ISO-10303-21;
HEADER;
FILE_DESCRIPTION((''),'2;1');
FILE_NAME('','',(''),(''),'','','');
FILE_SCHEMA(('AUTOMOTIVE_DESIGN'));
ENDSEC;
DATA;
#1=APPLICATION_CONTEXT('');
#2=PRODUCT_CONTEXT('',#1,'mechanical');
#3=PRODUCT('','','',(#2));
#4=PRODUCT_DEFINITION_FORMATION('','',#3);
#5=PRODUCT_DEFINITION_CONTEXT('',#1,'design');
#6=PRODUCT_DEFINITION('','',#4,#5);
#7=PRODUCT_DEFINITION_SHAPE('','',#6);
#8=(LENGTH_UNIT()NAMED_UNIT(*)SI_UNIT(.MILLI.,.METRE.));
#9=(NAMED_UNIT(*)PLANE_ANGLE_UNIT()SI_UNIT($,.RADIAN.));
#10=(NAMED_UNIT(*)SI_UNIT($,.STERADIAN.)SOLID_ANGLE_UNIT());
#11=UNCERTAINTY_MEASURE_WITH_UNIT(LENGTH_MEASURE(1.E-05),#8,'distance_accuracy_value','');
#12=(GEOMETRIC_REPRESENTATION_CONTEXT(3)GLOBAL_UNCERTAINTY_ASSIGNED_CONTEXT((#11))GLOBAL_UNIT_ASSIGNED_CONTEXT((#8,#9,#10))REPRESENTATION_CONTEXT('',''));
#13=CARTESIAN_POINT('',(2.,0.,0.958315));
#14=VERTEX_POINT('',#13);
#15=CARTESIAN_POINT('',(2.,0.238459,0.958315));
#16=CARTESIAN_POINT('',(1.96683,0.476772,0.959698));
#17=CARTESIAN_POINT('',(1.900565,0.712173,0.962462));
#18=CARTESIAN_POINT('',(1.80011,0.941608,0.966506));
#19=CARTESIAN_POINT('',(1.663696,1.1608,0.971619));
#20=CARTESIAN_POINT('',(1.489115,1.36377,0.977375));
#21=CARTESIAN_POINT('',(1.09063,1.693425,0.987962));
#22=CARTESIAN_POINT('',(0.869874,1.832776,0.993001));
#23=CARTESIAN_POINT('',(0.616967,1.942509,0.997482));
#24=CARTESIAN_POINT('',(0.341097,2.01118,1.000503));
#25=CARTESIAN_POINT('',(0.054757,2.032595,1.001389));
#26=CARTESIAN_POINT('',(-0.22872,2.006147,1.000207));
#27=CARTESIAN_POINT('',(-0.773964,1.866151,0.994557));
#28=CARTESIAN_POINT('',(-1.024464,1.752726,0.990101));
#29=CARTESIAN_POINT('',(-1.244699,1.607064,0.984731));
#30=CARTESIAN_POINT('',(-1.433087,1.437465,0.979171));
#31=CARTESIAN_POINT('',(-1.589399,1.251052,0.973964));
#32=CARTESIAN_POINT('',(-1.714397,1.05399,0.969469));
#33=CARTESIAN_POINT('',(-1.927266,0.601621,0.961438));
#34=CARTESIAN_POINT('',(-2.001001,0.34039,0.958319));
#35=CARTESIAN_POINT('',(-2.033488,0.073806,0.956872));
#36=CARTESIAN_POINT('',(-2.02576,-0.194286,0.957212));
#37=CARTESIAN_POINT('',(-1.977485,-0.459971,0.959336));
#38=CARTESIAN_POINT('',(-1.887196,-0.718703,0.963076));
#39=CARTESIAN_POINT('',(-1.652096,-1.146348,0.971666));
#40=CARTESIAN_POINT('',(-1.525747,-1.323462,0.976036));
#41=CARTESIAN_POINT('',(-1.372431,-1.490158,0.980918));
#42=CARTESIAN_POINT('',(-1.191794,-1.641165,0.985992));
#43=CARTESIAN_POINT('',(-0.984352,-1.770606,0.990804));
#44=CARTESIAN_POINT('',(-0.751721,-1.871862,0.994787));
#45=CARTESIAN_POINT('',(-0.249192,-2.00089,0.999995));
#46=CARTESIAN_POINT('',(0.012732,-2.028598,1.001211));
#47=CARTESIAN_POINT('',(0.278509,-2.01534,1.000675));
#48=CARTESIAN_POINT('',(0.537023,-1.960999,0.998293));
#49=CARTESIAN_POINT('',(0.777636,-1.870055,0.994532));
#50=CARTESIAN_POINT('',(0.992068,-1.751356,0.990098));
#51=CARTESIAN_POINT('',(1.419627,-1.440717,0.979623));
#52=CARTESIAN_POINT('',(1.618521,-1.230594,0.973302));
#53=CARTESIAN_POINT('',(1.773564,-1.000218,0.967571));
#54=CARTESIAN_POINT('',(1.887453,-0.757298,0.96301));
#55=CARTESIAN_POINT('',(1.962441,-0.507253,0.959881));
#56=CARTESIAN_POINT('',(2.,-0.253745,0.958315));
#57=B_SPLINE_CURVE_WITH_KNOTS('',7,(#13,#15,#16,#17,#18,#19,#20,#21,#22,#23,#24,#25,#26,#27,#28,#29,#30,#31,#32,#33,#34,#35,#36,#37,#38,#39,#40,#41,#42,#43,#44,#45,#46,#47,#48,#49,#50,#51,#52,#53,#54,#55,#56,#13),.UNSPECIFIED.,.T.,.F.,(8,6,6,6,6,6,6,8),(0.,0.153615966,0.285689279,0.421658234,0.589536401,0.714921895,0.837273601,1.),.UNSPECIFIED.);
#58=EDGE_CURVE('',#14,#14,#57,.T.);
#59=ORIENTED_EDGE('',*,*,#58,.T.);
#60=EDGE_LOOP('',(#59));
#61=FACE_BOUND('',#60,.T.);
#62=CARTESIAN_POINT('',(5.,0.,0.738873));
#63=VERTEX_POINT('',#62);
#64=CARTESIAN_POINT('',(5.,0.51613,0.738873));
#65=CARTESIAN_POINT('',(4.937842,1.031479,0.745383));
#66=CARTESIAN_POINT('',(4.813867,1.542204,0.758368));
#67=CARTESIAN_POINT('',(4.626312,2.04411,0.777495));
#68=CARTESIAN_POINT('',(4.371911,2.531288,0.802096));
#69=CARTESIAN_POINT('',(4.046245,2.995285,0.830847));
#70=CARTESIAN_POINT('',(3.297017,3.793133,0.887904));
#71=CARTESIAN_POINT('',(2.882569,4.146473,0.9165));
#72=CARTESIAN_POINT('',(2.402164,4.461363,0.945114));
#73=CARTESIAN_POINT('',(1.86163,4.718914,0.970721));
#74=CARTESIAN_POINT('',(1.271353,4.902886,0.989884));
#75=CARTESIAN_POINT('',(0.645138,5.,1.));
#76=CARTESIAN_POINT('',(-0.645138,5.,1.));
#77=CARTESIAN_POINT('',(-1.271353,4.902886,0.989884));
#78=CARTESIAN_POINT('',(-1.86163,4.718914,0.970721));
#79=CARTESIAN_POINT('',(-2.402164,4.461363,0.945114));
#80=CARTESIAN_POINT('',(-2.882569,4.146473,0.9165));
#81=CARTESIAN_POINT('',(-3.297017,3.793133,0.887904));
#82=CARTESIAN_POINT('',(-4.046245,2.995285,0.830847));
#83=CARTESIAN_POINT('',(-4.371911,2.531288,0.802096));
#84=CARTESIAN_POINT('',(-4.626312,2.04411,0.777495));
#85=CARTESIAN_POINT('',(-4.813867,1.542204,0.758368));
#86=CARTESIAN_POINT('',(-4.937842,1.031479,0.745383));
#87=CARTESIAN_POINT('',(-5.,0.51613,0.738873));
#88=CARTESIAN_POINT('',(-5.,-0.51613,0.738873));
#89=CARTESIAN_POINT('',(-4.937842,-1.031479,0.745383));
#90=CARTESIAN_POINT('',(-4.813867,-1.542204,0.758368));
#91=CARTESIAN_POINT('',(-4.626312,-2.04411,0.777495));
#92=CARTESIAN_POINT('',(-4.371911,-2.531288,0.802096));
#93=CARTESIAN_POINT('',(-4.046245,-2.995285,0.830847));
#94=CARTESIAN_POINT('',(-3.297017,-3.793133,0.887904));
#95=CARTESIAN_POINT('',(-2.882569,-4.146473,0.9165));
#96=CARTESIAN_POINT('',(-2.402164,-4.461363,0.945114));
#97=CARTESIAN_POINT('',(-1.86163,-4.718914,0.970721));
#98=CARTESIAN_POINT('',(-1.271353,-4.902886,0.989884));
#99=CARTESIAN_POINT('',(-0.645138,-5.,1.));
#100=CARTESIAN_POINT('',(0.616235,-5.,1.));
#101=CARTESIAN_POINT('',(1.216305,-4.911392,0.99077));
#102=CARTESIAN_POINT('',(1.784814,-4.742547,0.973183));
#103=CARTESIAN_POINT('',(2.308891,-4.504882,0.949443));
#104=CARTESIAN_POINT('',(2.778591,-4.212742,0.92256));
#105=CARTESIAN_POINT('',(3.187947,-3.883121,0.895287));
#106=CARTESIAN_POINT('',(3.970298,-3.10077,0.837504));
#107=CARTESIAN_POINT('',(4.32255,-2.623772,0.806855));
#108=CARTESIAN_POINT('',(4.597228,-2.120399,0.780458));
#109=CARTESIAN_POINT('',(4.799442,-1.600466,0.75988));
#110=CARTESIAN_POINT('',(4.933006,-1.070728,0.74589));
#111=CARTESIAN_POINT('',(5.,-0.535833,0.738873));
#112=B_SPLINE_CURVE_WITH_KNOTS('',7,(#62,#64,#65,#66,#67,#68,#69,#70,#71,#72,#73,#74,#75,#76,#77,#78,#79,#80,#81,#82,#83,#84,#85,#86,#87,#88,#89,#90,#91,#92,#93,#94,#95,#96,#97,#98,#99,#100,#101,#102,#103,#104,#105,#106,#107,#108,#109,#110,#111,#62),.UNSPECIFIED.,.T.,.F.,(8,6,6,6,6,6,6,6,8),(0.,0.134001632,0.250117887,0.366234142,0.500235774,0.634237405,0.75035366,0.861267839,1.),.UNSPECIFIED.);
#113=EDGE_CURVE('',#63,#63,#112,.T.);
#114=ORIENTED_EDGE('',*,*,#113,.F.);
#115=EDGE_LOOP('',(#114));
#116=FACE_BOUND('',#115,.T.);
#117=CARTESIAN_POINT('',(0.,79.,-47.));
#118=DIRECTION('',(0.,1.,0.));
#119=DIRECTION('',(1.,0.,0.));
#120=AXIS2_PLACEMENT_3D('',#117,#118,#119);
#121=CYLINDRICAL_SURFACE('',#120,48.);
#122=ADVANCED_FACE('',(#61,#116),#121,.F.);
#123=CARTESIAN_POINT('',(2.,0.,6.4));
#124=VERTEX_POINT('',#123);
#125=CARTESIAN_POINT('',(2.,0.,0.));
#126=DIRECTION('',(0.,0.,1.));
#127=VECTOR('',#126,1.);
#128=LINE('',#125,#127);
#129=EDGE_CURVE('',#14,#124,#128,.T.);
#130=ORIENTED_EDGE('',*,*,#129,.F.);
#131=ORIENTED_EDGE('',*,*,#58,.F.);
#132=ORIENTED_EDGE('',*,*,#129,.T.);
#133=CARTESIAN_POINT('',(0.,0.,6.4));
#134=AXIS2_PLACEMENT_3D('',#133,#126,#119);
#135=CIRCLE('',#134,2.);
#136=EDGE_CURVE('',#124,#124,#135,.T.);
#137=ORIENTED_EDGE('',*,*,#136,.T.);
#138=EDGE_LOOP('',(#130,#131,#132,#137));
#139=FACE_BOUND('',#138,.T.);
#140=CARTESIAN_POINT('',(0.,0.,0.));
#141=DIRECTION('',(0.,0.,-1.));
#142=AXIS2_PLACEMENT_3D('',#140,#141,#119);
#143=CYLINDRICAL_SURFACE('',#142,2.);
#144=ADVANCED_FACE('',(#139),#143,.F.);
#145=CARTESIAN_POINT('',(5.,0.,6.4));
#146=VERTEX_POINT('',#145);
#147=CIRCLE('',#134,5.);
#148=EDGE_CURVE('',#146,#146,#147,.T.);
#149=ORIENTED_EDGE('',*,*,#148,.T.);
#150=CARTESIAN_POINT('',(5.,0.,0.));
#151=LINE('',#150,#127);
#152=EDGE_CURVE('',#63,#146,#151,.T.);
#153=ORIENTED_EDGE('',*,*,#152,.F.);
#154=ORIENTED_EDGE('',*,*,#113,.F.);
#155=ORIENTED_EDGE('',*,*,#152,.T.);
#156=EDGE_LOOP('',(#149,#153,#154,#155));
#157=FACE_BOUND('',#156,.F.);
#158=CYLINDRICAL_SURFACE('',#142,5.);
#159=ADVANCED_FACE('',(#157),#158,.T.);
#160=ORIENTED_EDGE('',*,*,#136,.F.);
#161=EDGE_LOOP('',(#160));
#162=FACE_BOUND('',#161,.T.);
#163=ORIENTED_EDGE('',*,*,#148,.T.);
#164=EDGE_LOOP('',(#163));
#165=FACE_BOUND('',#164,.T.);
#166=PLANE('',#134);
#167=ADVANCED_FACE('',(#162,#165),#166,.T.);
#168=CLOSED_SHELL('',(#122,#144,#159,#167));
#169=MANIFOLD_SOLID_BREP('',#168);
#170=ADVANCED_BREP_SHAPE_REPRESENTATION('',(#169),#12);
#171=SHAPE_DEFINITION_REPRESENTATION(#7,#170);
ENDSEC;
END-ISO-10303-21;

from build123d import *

# Parameters (mm, degrees)
CYLINDER003_R          = 48
CYLINDER003_DEPTH      = 245
CYLINDER003_ROLL_ANGLE = 90
CYLINDER001_R          = 2
CYLINDER001_DEPTH      = 6.4
CYLINDER_R             = 5
CYLINDER_DEPTH         = 6.4


with BuildPart() as cilindro:
    # Cylinder003 → Cylinder003 (new body)
    with BuildSketch(Plane.XY):
        Circle(CYLINDER003_R)
    extrude(amount=CYLINDER003_DEPTH)


with BuildPart() as cilindro_1:
    # Cylinder003 roll: moved
    add(cilindro.part.rotate(Axis((0, 0, 0), (1, 0, 0)), CYLINDER003_ROLL_ANGLE))


with BuildPart() as cilindro_2:
    # Cylinder003 placement: moved
    add(cilindro_1.part.moved(Location((0, 79, -47))))


with BuildPart() as bumper_taladro:
    # Cylinder001 → Cylinder001 (new body)
    with BuildSketch(Plane.XY):
        Circle(CYLINDER001_R)
    extrude(amount=CYLINDER001_DEPTH)


with BuildPart() as bumper_para_m2_temporal:
    # Cylinder → Cylinder (new body)
    with BuildSketch(Plane.XY):
        Circle(CYLINDER_R)
    extrude(amount=CYLINDER_DEPTH)

    # Cut: cut Bumper taladro
    add(bumper_taladro.part, mode=Mode.SUBTRACT)

    # Cut001: cut Cilindro
    add(cilindro_2.part, mode=Mode.SUBTRACT)


solid = bumper_para_m2_temporal.part
